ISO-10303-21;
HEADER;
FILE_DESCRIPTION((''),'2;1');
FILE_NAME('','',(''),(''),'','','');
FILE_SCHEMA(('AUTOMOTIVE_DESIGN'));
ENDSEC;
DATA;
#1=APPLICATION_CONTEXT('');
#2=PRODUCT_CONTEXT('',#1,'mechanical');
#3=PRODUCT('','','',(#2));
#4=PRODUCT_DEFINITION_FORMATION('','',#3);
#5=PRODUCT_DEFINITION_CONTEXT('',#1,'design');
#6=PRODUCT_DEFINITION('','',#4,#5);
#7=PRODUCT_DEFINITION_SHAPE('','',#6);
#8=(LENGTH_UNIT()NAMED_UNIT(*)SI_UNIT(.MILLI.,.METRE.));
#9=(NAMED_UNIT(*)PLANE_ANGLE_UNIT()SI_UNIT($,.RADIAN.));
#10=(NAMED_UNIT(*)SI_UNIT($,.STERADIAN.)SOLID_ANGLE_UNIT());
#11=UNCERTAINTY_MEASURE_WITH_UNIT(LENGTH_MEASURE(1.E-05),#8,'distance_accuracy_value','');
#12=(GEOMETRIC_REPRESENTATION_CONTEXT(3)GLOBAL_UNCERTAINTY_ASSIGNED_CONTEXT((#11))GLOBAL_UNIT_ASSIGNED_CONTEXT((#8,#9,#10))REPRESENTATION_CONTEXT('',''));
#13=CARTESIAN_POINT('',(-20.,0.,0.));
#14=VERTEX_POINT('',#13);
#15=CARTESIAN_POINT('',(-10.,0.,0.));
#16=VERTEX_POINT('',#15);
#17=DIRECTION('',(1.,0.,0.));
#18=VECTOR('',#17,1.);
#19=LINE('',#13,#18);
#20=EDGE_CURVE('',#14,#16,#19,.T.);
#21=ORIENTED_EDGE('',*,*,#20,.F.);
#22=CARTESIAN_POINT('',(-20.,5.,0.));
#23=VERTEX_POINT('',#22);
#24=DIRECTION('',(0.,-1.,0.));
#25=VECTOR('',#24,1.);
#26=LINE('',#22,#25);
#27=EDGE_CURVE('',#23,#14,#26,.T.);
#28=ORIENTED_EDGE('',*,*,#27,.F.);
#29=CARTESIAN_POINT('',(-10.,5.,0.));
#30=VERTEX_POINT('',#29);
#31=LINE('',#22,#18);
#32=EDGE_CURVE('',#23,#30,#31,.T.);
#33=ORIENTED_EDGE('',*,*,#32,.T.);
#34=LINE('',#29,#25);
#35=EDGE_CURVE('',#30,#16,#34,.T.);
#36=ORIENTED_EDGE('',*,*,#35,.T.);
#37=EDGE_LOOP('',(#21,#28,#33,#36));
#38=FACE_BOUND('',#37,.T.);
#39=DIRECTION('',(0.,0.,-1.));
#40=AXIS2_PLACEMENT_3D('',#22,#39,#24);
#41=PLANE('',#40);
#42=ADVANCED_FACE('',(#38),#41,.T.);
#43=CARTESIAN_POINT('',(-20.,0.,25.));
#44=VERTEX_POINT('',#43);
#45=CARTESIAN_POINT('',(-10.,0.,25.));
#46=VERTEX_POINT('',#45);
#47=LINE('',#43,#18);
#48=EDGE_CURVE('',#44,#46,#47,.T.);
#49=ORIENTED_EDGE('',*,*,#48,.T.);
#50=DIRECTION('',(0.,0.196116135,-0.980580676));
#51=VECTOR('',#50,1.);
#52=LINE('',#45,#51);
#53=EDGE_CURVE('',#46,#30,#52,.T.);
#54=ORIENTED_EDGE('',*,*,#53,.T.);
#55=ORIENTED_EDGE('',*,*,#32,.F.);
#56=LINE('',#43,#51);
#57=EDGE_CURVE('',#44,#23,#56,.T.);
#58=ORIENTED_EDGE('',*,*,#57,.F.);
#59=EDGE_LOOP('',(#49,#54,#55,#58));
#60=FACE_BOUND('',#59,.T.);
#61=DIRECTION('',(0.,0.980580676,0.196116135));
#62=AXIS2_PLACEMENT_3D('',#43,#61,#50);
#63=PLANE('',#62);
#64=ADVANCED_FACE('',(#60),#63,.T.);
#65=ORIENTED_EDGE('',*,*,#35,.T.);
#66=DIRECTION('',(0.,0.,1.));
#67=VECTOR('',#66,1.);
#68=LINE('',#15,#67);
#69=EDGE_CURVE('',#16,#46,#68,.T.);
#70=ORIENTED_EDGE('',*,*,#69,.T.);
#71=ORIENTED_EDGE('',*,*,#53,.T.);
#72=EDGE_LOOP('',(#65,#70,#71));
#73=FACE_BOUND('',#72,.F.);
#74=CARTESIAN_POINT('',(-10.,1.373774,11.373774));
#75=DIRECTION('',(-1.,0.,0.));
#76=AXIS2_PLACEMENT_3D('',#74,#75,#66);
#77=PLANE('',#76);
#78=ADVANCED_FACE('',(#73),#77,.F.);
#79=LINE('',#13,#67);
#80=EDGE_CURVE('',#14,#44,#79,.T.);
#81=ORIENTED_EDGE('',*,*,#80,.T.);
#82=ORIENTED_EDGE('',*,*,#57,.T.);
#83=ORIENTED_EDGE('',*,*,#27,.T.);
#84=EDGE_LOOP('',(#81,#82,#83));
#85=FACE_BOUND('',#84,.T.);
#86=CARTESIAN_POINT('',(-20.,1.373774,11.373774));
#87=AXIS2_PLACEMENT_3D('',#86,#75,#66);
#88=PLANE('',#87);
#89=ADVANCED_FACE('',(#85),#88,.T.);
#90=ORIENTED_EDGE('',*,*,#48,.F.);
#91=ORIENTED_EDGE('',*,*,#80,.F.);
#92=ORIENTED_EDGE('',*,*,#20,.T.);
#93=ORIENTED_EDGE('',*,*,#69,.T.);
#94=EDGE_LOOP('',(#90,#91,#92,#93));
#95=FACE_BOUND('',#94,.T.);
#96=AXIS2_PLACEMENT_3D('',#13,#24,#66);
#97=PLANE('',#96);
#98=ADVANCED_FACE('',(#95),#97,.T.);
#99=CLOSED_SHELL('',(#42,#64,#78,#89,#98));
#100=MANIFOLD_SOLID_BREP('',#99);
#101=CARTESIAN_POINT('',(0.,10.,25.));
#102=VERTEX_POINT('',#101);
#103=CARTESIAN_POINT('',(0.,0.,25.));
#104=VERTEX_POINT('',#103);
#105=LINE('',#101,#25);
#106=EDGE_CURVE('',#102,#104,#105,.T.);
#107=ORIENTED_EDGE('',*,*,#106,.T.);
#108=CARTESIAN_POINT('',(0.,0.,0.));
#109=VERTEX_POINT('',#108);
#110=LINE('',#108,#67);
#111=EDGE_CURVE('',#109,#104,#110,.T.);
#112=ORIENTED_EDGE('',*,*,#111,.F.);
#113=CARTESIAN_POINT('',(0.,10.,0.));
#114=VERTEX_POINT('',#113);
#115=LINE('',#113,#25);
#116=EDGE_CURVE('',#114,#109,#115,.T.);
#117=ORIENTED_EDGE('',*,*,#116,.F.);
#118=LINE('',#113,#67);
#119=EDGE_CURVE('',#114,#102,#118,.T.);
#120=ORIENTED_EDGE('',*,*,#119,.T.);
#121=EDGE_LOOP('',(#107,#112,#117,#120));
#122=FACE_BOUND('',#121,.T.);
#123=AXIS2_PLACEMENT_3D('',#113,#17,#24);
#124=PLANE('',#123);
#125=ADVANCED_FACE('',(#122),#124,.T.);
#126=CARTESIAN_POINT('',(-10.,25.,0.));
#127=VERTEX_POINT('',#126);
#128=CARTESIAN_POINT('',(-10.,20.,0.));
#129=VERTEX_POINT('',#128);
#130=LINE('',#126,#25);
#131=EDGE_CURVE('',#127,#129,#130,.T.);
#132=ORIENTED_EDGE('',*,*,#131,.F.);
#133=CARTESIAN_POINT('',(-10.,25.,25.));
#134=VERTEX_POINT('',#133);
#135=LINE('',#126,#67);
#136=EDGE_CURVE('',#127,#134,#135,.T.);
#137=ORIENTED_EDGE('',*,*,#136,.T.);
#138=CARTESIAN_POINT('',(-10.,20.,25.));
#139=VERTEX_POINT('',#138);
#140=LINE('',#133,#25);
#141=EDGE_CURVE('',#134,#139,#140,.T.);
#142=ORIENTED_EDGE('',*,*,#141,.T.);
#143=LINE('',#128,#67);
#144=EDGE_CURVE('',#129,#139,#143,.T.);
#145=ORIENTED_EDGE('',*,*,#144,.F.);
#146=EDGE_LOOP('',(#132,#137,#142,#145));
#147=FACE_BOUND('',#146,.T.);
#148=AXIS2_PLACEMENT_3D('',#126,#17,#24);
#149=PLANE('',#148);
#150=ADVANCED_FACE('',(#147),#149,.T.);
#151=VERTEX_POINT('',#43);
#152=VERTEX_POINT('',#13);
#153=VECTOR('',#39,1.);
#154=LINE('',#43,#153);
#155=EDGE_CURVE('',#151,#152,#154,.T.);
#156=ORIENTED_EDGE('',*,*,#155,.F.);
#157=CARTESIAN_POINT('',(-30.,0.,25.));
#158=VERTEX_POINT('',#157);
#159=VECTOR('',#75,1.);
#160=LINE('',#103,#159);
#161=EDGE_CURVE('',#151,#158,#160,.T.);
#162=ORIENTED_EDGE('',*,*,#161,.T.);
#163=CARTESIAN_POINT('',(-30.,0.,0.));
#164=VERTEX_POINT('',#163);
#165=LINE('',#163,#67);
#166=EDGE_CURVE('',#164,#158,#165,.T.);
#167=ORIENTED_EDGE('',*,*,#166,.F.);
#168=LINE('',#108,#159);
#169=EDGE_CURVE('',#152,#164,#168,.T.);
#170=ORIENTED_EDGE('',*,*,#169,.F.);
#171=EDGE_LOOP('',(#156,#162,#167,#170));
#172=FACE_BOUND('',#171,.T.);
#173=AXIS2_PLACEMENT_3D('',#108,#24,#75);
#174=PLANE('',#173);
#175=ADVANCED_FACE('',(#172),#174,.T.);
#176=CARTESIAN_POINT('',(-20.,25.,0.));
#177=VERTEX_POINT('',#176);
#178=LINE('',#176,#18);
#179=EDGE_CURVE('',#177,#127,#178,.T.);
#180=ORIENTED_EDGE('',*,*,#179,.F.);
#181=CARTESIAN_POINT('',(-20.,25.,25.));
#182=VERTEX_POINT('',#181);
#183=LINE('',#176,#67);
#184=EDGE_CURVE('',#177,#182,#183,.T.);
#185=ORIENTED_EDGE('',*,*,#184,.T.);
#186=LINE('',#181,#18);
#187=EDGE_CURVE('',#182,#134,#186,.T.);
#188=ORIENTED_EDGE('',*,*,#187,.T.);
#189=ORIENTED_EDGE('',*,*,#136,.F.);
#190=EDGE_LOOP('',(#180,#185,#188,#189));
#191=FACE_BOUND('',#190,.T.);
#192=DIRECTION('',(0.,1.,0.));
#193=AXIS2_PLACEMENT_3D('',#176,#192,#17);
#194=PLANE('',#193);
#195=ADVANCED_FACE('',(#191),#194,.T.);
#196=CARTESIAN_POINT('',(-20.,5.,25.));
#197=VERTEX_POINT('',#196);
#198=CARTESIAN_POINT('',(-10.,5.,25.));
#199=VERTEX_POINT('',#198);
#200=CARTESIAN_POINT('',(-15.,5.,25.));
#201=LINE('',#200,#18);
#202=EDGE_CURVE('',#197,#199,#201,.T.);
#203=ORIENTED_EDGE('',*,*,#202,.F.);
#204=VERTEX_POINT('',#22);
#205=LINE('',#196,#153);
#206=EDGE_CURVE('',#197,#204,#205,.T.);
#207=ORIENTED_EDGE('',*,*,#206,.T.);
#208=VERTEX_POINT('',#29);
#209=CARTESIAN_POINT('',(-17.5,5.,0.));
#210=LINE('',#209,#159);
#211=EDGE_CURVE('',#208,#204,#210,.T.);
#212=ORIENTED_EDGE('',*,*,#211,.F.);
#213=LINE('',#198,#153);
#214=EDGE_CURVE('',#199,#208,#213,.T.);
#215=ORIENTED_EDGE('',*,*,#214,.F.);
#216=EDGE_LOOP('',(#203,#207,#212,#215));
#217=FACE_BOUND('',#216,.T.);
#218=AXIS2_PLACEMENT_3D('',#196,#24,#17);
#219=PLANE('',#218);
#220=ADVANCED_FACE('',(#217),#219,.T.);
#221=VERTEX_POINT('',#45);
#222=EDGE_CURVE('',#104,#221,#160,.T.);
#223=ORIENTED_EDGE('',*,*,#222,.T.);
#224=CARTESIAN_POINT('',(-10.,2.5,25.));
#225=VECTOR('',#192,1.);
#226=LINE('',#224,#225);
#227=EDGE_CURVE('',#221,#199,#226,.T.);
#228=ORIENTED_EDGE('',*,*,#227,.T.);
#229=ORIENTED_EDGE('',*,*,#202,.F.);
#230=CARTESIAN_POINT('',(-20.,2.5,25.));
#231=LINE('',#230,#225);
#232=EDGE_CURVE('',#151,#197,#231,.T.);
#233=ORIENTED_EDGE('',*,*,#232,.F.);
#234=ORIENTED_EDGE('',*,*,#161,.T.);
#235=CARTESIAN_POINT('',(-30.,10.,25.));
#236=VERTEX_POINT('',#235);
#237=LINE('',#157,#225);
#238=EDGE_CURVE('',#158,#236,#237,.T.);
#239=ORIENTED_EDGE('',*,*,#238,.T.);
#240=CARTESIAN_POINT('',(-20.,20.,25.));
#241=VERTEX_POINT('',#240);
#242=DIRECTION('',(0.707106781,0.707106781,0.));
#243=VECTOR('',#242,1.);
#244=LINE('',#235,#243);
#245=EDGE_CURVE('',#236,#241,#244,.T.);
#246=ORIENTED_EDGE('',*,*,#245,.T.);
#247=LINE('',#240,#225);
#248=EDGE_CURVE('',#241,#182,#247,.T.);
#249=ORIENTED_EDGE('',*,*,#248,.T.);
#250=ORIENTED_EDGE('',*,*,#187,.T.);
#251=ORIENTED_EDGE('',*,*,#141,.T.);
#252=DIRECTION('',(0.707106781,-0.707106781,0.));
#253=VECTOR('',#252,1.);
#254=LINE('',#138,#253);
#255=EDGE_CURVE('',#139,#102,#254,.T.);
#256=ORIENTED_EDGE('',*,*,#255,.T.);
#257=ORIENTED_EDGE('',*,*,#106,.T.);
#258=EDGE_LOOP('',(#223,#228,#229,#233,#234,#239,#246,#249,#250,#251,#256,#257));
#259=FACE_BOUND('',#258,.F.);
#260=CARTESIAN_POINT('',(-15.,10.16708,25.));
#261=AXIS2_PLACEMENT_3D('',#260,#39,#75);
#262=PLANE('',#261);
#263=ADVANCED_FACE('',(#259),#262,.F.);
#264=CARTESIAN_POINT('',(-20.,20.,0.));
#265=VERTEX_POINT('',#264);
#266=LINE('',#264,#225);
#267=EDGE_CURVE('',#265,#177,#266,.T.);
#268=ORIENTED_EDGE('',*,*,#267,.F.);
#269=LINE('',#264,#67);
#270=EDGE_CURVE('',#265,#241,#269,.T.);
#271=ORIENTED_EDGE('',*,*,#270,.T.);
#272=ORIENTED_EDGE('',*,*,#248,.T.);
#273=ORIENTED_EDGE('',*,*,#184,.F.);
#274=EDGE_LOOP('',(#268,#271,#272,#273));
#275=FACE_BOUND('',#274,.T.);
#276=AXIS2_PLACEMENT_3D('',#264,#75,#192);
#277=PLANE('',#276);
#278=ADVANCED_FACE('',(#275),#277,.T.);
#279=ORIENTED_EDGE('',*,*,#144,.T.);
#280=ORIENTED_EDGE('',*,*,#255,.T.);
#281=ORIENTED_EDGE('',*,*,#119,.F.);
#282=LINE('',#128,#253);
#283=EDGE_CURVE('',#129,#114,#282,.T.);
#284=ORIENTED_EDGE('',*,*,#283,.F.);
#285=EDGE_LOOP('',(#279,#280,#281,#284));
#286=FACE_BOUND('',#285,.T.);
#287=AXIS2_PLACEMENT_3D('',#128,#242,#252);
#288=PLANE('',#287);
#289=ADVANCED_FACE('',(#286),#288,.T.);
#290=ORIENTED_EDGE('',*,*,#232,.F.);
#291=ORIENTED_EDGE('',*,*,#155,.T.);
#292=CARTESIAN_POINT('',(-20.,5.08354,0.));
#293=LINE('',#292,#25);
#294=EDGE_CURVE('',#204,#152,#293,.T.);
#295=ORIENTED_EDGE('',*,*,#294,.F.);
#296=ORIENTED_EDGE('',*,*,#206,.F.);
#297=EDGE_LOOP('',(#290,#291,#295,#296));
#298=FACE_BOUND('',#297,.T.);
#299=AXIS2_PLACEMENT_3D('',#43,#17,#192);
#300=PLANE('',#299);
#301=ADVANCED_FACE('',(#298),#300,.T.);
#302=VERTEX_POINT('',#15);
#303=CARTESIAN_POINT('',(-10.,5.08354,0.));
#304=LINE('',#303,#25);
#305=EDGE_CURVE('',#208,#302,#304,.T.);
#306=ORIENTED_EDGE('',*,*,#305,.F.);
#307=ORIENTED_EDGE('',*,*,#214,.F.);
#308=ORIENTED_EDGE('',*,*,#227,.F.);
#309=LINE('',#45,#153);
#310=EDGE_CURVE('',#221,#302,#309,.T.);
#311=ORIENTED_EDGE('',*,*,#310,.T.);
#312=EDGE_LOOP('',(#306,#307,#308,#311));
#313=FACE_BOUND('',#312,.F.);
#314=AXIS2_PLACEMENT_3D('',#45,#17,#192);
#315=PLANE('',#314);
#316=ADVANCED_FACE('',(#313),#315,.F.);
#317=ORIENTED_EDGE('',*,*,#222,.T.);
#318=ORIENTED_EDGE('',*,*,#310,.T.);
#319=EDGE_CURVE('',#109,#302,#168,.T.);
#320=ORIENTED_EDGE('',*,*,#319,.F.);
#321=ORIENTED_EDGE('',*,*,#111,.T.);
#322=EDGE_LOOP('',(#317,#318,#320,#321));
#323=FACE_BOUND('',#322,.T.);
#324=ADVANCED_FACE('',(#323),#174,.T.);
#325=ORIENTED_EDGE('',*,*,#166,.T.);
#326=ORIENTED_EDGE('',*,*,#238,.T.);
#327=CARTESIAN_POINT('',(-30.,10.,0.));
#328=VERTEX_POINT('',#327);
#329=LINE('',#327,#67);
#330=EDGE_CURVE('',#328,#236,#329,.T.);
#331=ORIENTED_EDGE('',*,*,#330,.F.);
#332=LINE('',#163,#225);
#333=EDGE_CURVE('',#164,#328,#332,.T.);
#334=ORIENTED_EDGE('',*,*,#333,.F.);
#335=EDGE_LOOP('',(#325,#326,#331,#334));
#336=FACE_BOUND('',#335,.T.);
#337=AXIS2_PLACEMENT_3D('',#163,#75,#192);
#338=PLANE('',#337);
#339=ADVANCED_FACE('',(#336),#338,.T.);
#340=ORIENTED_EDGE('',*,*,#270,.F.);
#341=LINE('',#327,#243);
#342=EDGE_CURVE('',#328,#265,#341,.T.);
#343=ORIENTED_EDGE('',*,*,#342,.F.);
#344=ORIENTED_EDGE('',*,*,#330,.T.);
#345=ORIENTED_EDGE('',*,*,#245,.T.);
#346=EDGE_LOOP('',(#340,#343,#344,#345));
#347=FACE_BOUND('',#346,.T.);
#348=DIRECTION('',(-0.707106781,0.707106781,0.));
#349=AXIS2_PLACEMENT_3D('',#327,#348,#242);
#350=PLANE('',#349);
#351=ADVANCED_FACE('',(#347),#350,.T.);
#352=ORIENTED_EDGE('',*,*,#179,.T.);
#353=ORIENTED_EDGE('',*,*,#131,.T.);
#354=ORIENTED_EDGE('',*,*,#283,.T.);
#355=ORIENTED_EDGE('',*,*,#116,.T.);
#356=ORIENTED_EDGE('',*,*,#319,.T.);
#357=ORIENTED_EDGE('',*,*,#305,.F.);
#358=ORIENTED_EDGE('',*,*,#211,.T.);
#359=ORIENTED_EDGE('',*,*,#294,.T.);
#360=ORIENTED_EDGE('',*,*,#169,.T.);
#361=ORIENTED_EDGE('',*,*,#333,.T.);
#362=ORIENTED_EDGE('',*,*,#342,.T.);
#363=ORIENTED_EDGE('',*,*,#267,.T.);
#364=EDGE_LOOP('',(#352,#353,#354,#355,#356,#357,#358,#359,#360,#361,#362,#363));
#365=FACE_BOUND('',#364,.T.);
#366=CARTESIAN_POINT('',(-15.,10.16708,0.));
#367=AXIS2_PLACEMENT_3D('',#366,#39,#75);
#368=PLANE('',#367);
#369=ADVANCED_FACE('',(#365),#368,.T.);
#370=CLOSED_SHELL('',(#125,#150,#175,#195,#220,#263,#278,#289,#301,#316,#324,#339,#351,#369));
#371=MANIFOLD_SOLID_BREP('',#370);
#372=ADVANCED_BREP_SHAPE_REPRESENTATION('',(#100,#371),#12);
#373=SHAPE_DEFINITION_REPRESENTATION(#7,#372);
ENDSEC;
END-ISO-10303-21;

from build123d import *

# Parameters (mm, degrees)
BOSS_EXTRUDE1_DEPTH = 25
SKETCH2_W           = 10
SKETCH2_H           = 5
CUT_EXTRUDE1_DEPTH  = 46
BOSS_EXTRUDE3_DEPTH = 10


with BuildPart() as part:
    # Sketch1 → Boss-Extrude1 (new body)
    with BuildSketch(Plane.XY):
        Polygon((-30, 0), (-30, 10), (-20, 20), (-20, 25), (-10, 25), (-10, 20), (0, 10), (0, 0), align=None)
    extrude(amount=BOSS_EXTRUDE1_DEPTH)

    # Sketch2 → Cut-Extrude1 (cut)
    with BuildSketch(Plane.XY.offset(25)):
        with Locations((-15, 2.5)):
            Rectangle(SKETCH2_W, SKETCH2_H)
    extrude(amount=-CUT_EXTRUDE1_DEPTH, mode=Mode.SUBTRACT)


with BuildPart() as body_2:
    # Sketch3 → Boss-Extrude3 (new body)
    with BuildSketch(Plane(origin=(-20, 0, 0), x_dir=(0, 0, -1), z_dir=(1, 0, 0))):
        Polygon((-25, 0), (0, 5), (0, 0), align=None)
    extrude(amount=BOSS_EXTRUDE3_DEPTH)


solid = Compound([part.part, body_2.part])
